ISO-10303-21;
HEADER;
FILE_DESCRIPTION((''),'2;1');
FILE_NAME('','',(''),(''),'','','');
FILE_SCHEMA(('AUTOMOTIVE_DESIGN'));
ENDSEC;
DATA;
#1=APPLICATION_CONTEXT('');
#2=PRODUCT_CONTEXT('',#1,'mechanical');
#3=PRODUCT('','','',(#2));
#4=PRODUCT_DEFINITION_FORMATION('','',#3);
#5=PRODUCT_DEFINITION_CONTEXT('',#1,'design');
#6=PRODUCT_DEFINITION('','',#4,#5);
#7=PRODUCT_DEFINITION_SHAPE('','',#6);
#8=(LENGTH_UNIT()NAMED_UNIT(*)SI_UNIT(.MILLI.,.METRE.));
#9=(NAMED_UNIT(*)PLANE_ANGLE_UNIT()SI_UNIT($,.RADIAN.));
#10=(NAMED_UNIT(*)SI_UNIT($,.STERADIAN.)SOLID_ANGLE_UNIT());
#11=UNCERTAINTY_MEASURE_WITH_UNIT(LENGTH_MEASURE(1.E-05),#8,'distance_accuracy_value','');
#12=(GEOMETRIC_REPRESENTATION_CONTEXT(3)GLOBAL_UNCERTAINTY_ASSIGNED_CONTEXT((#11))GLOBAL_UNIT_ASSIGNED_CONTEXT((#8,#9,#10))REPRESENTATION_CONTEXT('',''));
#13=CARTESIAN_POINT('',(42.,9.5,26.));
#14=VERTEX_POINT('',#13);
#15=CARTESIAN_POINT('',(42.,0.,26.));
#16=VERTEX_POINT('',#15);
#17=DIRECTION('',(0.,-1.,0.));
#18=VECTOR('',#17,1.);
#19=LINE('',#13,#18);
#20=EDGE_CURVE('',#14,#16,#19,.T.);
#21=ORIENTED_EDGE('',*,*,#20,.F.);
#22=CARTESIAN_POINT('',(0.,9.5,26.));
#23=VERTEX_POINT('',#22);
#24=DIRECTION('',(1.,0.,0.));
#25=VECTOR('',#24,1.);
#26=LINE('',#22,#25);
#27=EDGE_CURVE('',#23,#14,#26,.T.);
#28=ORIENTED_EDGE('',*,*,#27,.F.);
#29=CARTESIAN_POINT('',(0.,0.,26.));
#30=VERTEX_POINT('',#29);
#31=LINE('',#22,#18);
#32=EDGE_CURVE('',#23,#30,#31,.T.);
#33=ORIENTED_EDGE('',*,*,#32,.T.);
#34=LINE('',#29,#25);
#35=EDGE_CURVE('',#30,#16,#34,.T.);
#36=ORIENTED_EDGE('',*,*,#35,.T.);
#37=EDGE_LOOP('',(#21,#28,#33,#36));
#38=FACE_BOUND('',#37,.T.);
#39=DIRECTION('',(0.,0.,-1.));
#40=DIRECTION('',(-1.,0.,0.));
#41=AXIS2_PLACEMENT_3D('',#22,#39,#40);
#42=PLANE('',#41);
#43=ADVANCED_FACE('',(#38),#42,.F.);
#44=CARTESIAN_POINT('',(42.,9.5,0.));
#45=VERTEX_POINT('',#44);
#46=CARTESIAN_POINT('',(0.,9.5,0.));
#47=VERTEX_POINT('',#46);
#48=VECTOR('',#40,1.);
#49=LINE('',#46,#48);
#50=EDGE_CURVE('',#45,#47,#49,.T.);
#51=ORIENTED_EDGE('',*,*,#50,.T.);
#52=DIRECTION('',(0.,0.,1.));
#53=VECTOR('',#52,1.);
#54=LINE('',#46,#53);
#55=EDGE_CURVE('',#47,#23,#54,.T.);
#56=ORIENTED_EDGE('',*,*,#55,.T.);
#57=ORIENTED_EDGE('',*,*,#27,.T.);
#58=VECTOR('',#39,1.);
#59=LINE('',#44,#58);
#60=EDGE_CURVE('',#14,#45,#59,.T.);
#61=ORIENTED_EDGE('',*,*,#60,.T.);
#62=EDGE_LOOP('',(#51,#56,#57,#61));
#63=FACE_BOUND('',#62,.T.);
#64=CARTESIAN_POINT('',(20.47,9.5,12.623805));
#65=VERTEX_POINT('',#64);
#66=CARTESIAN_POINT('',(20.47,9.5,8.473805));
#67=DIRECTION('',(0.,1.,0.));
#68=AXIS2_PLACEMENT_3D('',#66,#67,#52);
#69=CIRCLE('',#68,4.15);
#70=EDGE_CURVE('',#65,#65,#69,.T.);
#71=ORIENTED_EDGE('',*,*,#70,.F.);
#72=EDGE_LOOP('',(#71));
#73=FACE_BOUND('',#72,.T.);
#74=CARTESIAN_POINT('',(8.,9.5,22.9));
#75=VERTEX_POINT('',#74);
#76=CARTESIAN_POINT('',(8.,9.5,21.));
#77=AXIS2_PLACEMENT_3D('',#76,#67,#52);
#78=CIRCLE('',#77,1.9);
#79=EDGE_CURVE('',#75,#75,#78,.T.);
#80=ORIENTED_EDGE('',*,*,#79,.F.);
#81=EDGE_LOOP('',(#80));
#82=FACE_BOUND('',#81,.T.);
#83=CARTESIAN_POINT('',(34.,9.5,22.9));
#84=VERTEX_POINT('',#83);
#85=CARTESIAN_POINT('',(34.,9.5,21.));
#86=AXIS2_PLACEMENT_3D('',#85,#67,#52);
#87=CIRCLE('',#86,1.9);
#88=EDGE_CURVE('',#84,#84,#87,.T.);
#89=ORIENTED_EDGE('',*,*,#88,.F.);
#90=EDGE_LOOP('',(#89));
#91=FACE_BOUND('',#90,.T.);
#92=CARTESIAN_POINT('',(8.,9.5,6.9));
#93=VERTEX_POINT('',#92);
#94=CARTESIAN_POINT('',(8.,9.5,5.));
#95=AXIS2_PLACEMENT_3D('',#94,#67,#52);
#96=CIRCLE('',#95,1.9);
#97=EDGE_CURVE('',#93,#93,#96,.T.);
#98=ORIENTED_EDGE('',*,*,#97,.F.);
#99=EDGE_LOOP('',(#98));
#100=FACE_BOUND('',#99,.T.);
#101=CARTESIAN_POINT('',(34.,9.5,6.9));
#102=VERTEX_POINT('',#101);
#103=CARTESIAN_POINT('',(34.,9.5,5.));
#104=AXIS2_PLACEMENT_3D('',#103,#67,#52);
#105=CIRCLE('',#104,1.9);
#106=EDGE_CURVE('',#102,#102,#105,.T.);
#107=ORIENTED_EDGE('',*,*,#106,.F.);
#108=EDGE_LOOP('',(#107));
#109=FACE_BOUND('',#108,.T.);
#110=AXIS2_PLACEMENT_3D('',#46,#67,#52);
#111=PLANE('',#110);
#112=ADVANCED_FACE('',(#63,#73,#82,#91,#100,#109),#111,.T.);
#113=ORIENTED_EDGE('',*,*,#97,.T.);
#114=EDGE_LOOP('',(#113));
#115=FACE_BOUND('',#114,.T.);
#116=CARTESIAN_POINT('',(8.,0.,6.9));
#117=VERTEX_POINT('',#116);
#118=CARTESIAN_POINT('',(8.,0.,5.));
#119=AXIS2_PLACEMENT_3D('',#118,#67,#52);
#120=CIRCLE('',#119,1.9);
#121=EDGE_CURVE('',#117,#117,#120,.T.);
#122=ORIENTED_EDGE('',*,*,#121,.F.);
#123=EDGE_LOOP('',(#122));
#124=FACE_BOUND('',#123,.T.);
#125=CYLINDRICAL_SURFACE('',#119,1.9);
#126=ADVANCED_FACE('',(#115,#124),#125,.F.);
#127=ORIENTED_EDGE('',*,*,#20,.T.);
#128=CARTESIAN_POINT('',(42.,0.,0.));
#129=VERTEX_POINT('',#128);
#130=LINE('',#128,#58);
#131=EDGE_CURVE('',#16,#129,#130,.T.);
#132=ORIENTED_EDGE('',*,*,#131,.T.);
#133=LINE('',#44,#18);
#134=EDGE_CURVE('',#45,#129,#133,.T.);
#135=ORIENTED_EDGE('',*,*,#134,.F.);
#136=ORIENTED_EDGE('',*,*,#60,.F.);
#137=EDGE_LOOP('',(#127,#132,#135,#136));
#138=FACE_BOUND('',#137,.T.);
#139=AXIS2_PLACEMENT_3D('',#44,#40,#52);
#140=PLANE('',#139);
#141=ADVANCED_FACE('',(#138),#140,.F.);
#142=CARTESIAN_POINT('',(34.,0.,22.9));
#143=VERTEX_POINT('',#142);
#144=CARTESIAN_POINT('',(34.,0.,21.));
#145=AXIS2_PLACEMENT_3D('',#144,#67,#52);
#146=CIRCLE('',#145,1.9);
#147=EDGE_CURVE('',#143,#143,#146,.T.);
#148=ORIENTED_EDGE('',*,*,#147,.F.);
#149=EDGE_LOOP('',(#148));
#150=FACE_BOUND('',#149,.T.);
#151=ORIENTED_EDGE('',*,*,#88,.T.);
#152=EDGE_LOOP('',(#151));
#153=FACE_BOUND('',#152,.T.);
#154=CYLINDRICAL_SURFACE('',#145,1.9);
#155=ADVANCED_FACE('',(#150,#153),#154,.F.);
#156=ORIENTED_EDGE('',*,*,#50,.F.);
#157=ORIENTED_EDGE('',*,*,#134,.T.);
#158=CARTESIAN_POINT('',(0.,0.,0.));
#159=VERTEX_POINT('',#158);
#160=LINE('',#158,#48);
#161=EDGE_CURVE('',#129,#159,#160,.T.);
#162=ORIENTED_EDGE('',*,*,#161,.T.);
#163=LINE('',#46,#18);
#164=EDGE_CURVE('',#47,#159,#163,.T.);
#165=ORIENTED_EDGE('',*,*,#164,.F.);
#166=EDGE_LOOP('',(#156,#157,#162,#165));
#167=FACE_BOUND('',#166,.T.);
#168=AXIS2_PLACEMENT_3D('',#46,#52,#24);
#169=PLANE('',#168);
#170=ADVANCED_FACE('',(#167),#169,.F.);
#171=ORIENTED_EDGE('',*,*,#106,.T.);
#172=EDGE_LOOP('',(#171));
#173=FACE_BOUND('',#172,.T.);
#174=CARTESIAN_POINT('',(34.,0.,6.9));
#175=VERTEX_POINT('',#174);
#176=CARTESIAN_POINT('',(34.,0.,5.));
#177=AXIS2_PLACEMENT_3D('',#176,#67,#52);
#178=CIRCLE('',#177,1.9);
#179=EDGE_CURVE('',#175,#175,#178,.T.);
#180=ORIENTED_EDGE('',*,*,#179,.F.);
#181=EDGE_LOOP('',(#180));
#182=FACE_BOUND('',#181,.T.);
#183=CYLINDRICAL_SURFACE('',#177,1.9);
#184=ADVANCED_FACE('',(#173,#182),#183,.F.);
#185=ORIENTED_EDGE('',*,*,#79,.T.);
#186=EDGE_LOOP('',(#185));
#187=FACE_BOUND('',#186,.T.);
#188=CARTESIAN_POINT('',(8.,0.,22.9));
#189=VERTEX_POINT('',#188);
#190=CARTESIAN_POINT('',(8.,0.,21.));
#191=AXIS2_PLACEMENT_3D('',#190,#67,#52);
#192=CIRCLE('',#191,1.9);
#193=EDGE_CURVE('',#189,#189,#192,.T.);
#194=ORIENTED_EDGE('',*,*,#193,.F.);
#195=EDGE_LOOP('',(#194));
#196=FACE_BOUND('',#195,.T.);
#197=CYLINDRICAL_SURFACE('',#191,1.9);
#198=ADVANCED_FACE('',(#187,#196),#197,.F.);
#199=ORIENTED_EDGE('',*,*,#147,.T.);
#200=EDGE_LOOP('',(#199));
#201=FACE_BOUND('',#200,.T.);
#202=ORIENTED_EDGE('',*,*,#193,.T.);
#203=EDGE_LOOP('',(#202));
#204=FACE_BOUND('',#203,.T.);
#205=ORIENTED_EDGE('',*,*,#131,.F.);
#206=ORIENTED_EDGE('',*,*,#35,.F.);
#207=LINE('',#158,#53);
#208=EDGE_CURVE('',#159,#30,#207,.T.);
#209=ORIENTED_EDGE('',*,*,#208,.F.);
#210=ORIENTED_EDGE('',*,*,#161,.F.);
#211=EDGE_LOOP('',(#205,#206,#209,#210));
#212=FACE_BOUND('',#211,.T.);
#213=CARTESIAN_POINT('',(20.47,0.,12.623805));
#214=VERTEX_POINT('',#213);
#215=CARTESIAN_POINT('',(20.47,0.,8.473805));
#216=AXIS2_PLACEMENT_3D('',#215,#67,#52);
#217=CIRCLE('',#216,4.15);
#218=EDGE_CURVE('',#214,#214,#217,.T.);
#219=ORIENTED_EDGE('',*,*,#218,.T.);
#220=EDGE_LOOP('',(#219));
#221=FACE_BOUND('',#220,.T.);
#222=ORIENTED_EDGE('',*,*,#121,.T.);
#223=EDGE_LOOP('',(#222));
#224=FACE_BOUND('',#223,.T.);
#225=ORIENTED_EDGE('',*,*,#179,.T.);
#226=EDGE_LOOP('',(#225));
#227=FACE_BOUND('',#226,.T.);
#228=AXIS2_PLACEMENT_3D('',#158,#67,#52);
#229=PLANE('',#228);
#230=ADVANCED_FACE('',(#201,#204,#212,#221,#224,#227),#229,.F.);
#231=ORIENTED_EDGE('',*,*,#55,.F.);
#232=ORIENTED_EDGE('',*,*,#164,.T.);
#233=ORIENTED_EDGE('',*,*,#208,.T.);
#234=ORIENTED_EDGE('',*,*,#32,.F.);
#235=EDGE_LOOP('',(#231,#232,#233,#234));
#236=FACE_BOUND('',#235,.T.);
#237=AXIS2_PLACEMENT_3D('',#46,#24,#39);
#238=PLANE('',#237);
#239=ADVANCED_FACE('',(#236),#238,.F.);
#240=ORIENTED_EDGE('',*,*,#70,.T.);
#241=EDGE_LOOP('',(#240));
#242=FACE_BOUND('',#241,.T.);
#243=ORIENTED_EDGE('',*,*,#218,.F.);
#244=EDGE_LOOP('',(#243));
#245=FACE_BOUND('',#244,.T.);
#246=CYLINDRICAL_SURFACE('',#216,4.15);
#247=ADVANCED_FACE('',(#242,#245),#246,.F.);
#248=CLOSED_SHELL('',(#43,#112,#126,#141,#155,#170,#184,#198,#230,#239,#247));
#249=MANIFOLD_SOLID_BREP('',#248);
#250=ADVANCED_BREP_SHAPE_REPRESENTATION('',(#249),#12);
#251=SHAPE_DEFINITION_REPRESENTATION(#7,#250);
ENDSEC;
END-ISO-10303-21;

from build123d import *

# Parameters (mm, degrees)
SKETCH_1_W          = 42
SKETCH_1_H          = 26
EXTRUDE_1_DEPTH     = 9.5
SKETCH_3_R          = 4.15
CUT_EXTRUDE_1_DEPTH = 51.301590432
SKETCH_4_R          = 1.9
CUT_EXTRUDE_2_DEPTH = 51.301590432


with BuildPart() as part:
    # 草图1 → 凸台-拉伸1 (new body)
    with BuildSketch(Plane(origin=(0, 0, 0), x_dir=(1, 0, 0), z_dir=(0, 1, 0))):
        with Locations((21, -13)):
            Rectangle(SKETCH_1_W, SKETCH_1_H)
    extrude(amount=EXTRUDE_1_DEPTH)

    # 草图3 → 切除-拉伸1 (cut, through all)
    with BuildSketch(Plane(origin=(0, 9.5, 0), x_dir=(1, 0, 0), z_dir=(0, 1, 0))):
        with Locations(Location((20.47, -8.473805396, 0), (0, 0, 270))):
            Circle(SKETCH_3_R)
    extrude(amount=-CUT_EXTRUDE_1_DEPTH, mode=Mode.SUBTRACT)

    # 草图4 → 切除-拉伸2 (cut, through all)
    with BuildSketch(Plane(origin=(0, 9.5, 0), x_dir=(1, 0, 0), z_dir=(0, 1, 0))):
        with Locations(Location((8, -5, 0), (0, 0, 270))):
            Circle(SKETCH_4_R)
        with Locations(Location((8, -21, 0), (0, 0, 270))):
            Circle(SKETCH_4_R)
        with Locations(Location((34, -5, 0), (0, 0, 270))):
            Circle(SKETCH_4_R)
        with Locations(Location((34, -21, 0), (0, 0, 270))):
            Circle(SKETCH_4_R)
    extrude(amount=-CUT_EXTRUDE_2_DEPTH, mode=Mode.SUBTRACT)


solid = part.part
